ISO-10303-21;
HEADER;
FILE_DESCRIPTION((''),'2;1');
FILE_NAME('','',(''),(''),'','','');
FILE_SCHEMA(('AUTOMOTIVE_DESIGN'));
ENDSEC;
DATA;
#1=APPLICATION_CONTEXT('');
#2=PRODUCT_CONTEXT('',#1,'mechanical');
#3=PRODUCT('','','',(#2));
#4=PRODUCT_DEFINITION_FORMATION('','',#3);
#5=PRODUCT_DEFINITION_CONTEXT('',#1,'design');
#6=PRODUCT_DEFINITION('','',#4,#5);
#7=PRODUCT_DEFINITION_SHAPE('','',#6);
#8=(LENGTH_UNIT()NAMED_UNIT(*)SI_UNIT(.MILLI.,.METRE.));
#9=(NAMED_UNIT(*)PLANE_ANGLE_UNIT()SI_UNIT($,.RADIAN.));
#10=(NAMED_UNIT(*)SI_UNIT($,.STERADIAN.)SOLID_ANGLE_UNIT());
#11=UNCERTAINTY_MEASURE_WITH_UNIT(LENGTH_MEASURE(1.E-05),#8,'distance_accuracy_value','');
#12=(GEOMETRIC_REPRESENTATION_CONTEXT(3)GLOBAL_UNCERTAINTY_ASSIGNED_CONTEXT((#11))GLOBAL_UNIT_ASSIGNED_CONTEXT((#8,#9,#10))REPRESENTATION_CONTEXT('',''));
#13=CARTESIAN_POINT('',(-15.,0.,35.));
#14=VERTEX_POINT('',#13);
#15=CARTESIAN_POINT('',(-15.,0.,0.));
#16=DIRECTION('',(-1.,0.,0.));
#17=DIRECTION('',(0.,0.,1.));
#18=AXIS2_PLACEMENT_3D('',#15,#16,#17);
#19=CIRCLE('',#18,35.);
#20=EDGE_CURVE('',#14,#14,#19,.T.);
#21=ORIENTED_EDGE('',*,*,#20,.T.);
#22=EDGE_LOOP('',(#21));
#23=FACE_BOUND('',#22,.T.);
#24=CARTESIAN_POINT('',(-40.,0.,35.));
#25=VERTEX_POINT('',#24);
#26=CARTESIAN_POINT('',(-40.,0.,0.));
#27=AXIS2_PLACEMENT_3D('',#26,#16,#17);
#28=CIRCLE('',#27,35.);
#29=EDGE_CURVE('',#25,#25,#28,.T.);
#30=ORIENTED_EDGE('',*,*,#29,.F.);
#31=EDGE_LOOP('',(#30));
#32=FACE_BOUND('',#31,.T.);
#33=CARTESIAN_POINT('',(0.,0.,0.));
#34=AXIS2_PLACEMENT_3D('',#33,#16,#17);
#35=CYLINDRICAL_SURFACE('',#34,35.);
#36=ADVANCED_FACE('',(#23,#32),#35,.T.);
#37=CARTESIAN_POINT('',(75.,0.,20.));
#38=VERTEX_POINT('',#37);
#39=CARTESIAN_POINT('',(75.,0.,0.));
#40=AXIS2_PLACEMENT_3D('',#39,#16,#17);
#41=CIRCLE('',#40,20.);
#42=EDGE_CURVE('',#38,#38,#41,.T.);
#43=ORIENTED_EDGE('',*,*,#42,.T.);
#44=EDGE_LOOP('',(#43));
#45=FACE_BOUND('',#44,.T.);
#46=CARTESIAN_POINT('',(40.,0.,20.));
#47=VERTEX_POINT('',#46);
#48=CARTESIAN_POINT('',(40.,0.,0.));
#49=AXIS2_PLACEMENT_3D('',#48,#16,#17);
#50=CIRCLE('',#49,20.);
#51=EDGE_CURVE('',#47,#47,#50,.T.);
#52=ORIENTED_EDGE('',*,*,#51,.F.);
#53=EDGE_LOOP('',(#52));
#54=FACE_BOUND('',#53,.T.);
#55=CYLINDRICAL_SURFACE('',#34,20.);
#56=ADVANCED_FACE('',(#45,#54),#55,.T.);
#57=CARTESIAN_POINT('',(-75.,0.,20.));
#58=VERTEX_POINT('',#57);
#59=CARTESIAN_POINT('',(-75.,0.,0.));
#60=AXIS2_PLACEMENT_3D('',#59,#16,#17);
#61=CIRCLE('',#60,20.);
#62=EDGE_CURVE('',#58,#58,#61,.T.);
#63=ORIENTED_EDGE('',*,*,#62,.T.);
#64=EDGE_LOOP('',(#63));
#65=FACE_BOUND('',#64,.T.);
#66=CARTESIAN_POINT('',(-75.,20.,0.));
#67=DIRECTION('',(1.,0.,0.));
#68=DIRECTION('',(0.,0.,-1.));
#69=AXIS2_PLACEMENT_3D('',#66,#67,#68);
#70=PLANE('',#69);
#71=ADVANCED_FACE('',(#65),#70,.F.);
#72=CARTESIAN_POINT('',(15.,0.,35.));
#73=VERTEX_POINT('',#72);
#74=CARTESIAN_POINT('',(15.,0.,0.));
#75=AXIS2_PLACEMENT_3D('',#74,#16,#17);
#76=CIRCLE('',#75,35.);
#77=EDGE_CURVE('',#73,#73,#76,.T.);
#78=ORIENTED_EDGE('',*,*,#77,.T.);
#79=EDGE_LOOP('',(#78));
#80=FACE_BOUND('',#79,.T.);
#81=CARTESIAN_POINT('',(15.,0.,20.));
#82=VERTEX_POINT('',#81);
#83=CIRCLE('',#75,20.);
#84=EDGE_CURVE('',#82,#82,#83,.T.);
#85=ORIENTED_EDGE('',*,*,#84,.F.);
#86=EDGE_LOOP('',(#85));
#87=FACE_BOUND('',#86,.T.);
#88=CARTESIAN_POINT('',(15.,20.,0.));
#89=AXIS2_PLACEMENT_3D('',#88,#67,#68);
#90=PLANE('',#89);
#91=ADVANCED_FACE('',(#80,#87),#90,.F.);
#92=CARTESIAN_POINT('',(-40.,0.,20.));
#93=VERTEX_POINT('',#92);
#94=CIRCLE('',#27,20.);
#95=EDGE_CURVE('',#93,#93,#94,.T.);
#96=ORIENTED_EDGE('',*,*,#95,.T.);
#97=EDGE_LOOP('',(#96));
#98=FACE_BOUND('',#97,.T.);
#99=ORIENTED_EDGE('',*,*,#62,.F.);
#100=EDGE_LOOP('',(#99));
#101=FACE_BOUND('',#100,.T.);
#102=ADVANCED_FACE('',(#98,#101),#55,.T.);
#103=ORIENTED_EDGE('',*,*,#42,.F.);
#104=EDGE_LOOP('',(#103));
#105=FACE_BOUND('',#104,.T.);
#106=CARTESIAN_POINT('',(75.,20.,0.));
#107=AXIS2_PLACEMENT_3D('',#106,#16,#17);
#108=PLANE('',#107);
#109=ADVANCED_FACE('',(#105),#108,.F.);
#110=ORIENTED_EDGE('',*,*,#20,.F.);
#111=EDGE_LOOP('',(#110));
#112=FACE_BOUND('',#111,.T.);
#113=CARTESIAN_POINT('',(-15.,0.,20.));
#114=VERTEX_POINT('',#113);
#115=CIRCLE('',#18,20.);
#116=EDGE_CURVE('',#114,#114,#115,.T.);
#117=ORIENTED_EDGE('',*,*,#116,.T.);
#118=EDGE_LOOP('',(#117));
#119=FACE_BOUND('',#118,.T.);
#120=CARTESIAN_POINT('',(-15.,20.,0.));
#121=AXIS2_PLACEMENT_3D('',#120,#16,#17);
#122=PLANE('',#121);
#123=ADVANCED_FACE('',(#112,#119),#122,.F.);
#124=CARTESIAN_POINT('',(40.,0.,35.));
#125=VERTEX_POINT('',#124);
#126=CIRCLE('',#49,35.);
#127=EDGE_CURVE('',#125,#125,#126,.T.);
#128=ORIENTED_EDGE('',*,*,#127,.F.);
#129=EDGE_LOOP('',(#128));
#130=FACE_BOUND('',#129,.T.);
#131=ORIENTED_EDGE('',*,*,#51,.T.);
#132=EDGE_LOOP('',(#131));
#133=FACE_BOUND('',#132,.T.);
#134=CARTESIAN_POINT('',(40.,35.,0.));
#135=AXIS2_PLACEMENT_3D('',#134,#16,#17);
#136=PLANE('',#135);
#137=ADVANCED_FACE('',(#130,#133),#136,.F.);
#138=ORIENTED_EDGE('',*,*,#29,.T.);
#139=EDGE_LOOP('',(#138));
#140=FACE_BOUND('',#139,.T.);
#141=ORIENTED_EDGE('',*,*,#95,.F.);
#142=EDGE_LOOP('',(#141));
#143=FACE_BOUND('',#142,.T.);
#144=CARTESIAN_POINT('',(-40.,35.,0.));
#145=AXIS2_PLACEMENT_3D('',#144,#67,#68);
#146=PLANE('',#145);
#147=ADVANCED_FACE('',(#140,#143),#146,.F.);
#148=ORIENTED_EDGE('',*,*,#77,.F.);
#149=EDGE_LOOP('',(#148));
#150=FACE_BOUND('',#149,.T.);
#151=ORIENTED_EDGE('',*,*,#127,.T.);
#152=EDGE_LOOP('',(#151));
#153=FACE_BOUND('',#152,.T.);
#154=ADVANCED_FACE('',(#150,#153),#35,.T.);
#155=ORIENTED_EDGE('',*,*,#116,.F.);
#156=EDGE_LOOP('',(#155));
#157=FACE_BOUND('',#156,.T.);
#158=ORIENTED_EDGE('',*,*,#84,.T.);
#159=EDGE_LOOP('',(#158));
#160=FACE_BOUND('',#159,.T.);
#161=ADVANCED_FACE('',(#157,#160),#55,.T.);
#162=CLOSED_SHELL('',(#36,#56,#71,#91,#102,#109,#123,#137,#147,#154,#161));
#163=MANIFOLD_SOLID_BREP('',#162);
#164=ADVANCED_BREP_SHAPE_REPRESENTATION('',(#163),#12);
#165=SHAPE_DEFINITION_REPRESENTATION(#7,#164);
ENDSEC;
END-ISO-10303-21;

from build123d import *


with BuildPart() as part:
    # 스케치1 → 회전1 (revolve)
    with BuildSketch(Plane.XY):
        Polygon((15, 20), (-15, 20), (-15, 35), (-40, 35), (-40, 20), (-75, 20), (-75, 0), (0, 0), (75, 0), (75, 20), (40, 20), (40, 35), (15, 35), align=None)
    revolve(axis=Axis((0, 0, 0), (1, 0, 0)))


solid = part.part
